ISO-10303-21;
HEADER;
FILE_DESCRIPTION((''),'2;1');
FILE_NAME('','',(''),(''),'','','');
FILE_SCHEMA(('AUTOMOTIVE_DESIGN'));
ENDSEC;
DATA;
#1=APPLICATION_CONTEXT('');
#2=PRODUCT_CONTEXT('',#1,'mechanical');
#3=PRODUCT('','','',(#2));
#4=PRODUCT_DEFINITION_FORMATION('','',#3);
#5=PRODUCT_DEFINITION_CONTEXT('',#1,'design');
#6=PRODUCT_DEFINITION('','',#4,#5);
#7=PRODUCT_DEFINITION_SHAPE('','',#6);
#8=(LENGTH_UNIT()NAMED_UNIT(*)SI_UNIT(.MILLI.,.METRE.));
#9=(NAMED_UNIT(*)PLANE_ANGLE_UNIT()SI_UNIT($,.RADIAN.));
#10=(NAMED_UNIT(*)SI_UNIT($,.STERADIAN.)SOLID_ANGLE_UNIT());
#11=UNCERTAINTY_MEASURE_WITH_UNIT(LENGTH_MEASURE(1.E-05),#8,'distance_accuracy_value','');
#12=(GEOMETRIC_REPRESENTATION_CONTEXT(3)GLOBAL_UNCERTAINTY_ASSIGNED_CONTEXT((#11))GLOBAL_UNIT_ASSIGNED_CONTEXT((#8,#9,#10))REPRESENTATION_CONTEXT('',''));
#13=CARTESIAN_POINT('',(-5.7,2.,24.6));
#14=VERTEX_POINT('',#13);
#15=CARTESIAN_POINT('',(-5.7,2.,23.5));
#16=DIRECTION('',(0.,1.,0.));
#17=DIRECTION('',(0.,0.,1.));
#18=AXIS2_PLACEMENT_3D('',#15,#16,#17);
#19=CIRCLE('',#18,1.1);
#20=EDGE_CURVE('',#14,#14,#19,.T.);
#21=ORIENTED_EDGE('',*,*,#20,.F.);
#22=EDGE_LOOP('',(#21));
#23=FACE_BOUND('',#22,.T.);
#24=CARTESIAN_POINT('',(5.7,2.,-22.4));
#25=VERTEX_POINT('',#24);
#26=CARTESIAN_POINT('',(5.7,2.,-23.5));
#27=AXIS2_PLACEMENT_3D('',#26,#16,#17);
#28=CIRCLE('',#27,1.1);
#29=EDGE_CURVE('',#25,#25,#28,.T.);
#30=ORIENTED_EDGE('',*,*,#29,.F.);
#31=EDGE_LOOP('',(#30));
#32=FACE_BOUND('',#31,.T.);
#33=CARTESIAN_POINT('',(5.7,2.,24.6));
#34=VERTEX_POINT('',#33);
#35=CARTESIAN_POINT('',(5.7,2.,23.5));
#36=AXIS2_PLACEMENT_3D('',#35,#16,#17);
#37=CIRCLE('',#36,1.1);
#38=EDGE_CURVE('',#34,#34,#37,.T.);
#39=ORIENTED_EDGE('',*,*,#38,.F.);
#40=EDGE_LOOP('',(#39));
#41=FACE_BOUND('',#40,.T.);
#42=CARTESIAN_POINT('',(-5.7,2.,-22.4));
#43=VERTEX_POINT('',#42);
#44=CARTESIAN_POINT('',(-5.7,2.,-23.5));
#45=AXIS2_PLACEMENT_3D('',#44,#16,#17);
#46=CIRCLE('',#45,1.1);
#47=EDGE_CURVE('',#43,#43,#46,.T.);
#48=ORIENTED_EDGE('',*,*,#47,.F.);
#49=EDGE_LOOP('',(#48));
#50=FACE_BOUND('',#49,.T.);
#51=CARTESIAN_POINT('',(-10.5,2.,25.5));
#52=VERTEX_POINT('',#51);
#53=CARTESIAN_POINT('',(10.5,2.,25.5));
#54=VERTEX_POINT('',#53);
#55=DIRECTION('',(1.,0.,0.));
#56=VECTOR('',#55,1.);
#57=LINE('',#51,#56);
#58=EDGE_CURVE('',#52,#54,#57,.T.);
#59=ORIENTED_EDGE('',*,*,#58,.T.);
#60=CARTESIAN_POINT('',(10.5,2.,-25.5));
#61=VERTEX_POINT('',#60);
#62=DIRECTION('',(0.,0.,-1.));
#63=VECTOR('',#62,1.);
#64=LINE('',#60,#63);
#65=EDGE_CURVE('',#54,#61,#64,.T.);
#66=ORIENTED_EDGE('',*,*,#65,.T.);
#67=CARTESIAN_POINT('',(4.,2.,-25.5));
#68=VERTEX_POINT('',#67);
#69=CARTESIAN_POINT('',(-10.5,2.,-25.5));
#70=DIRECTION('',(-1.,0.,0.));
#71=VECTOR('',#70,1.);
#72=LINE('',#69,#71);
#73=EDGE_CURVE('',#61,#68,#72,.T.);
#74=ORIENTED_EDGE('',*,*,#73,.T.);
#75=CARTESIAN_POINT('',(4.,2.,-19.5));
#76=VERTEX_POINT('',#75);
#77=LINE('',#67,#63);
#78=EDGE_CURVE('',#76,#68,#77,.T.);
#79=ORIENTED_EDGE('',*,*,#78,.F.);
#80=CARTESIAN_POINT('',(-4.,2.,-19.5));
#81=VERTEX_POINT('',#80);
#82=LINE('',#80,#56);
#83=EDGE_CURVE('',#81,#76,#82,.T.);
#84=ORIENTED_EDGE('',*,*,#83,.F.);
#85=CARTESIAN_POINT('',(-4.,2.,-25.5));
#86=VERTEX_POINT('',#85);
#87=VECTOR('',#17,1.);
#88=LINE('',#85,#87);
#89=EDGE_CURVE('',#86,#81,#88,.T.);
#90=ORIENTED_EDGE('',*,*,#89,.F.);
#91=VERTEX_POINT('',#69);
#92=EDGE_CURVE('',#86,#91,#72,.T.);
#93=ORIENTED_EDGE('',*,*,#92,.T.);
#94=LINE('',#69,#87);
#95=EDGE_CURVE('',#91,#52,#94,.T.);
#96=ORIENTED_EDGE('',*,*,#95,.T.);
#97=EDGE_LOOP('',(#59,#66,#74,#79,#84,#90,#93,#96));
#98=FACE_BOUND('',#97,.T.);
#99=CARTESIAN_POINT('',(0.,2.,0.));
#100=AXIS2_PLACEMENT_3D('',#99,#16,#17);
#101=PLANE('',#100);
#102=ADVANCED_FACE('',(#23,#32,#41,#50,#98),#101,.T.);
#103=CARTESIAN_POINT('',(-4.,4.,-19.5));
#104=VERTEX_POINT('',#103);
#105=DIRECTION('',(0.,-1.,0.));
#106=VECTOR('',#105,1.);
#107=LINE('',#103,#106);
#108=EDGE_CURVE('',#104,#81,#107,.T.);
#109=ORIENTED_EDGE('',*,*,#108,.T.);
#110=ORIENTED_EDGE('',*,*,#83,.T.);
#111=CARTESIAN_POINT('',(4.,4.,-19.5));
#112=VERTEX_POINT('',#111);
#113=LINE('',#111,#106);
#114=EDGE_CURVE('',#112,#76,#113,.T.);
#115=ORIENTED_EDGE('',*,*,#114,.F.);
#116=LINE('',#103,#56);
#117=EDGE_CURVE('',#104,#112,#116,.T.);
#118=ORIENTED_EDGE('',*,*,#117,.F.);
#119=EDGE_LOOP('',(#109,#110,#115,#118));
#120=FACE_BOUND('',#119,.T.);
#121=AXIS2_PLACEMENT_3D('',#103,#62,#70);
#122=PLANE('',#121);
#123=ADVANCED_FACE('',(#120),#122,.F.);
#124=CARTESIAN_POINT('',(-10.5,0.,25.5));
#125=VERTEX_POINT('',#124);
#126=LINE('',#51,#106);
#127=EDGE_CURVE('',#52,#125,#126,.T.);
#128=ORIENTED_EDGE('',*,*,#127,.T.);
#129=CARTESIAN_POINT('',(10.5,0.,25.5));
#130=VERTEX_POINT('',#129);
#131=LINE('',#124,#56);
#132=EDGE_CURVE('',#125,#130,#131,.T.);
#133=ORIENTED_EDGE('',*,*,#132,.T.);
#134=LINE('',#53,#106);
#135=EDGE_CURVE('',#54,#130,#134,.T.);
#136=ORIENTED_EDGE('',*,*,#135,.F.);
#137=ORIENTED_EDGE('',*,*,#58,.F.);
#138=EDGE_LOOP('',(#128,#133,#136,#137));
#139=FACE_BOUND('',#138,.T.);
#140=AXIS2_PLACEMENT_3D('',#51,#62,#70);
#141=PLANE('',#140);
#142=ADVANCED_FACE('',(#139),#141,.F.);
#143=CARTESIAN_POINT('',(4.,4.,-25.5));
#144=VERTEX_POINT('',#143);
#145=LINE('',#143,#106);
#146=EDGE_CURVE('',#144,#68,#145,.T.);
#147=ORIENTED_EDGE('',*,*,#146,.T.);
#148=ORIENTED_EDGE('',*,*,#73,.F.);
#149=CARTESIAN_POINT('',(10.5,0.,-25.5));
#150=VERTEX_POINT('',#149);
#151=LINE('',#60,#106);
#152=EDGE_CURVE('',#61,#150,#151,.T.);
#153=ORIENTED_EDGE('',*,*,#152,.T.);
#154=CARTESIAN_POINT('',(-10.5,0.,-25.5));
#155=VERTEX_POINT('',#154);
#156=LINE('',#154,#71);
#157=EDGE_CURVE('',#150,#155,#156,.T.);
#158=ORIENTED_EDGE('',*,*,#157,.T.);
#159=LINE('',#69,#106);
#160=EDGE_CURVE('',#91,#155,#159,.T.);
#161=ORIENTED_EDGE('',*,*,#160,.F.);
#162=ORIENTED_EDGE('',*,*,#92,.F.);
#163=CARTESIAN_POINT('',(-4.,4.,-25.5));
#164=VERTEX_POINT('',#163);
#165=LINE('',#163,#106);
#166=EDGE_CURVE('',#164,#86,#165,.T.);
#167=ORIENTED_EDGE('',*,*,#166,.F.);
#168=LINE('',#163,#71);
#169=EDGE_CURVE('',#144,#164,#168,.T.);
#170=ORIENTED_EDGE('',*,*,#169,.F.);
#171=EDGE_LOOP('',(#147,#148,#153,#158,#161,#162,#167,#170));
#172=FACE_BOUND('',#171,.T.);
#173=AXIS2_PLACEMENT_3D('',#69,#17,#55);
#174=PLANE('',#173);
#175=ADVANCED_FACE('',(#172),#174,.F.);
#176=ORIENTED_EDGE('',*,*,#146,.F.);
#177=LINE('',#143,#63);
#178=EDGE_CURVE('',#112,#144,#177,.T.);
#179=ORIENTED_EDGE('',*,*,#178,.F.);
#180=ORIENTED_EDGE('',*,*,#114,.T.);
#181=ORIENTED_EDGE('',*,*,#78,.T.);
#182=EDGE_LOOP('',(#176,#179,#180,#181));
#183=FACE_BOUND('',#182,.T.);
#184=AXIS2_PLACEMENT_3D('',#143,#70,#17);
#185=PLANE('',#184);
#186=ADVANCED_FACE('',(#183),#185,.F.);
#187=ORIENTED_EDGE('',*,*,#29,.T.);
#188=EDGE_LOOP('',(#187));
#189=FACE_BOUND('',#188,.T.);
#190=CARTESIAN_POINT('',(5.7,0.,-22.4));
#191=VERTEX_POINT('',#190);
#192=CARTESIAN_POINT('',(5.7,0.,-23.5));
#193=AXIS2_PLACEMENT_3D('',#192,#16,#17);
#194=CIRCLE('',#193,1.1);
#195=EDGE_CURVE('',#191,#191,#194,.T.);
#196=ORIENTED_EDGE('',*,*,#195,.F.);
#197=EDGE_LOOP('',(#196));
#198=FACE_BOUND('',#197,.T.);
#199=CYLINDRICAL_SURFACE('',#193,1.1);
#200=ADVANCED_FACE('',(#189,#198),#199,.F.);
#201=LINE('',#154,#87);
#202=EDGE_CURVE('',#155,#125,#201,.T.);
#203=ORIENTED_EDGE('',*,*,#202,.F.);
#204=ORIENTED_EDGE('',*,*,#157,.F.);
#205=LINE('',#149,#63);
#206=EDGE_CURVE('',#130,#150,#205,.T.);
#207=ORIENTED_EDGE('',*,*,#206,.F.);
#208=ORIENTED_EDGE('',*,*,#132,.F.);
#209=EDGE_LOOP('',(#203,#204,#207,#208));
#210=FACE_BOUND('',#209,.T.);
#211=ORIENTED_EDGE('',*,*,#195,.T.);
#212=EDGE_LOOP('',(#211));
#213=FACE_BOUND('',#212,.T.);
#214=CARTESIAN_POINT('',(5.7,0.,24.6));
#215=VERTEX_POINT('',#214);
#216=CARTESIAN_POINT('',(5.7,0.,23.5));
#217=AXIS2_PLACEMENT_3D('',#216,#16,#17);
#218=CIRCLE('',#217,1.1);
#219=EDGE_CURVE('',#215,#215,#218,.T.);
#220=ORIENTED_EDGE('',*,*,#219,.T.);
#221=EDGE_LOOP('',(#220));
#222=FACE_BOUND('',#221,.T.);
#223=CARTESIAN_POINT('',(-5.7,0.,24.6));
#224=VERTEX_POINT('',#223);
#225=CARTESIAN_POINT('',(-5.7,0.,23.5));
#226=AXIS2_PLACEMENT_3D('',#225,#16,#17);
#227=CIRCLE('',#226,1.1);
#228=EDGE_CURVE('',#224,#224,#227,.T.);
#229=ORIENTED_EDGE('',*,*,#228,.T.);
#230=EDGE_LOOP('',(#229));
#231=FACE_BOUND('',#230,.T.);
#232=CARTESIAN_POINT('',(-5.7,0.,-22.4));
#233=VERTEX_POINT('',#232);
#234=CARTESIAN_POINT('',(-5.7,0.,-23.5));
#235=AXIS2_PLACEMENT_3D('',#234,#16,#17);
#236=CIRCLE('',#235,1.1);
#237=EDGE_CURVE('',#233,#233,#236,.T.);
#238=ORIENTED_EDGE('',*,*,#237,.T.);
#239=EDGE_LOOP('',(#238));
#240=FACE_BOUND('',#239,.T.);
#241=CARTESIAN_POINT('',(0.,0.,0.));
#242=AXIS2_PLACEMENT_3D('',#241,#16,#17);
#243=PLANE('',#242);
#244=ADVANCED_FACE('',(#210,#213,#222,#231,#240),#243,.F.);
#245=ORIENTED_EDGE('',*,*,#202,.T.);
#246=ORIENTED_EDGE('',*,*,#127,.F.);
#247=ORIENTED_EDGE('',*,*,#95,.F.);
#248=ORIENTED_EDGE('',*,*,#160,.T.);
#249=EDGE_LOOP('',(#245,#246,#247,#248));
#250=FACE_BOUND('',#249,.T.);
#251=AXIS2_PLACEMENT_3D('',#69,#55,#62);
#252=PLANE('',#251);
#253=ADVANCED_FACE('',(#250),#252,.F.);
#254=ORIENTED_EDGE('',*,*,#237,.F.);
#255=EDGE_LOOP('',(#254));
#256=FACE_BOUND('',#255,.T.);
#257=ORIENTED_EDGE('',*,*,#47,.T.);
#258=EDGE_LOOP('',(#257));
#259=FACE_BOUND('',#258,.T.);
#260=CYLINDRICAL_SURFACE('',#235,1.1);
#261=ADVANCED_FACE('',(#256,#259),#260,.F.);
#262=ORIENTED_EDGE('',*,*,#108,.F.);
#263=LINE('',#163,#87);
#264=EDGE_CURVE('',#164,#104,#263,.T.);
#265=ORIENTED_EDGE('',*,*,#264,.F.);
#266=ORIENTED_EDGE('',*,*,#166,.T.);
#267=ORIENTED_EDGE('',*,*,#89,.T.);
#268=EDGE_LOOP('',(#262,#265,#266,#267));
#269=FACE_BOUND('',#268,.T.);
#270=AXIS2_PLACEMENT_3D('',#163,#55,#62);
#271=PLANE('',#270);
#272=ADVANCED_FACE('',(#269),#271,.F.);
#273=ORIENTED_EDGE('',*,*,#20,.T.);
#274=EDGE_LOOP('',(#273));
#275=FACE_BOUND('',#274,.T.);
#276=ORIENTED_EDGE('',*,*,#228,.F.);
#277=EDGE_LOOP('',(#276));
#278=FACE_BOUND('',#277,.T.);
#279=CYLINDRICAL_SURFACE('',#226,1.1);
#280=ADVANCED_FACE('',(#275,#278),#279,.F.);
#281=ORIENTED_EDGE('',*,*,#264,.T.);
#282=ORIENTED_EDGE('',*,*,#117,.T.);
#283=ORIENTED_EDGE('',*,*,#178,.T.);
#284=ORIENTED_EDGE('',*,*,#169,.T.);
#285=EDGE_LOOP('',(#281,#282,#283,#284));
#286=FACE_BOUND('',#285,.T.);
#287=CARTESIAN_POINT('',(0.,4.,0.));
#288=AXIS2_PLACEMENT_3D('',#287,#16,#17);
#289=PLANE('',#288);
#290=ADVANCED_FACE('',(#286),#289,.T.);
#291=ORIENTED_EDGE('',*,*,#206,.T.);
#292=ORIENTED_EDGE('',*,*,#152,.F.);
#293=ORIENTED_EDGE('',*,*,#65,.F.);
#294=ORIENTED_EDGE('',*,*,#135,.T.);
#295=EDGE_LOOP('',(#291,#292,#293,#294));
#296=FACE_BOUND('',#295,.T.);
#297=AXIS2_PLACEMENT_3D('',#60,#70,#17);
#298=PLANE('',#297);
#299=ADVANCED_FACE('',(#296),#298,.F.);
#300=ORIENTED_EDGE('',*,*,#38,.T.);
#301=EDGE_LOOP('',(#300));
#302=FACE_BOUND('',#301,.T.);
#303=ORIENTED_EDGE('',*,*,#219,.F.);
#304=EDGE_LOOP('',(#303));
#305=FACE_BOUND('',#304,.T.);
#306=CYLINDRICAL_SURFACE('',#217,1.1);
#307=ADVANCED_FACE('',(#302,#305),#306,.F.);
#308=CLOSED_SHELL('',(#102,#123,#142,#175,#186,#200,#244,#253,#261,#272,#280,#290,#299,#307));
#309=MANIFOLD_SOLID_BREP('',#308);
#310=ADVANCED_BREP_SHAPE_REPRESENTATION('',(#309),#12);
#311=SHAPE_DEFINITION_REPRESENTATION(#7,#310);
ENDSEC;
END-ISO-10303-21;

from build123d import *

# Parameters (mm, degrees)
SKETCH1_W           = 21
SKETCH1_H           = 51
BOSS_EXTRUDE1_DEPTH = 2
SKETCH2_W           = 8
SKETCH2_H           = 6
BOSS_EXTRUDE2_DEPTH = 2
SKETCH3_R           = 1.1
CUT_EXTRUDE1_DEPTH  = 2


with BuildPart() as part:
    # Sketch1 → Boss-Extrude1 (new body)
    with BuildSketch(Plane(origin=(0, 0, 0), x_dir=(1, 0, 0), z_dir=(0, 1, 0))):
        Rectangle(SKETCH1_W, SKETCH1_H)
    extrude(amount=BOSS_EXTRUDE1_DEPTH)

    # Sketch2 → Boss-Extrude2 (add)
    with BuildSketch(Plane(origin=(0, 2, 0), x_dir=(1, 0, 0), z_dir=(0, 1, 0))):
        with Locations((0, 22.5)):
            Rectangle(SKETCH2_W, SKETCH2_H)
    extrude(amount=BOSS_EXTRUDE2_DEPTH)

    # Sketch3 → Cut-Extrude1 (cut)
    with BuildSketch(Plane(origin=(0, 2, 0), x_dir=(1, 0, 0), z_dir=(0, 1, 0))):
        with Locations((-5.7, 23.5)):
            Circle(SKETCH3_R)
        with Locations((5.7, 23.5)):
            Circle(SKETCH3_R)
        with Locations((-5.7, -23.5)):
            Circle(SKETCH3_R)
        with Locations((5.7, -23.5)):
            Circle(SKETCH3_R)
    extrude(amount=-CUT_EXTRUDE1_DEPTH, mode=Mode.SUBTRACT)


solid = part.part
